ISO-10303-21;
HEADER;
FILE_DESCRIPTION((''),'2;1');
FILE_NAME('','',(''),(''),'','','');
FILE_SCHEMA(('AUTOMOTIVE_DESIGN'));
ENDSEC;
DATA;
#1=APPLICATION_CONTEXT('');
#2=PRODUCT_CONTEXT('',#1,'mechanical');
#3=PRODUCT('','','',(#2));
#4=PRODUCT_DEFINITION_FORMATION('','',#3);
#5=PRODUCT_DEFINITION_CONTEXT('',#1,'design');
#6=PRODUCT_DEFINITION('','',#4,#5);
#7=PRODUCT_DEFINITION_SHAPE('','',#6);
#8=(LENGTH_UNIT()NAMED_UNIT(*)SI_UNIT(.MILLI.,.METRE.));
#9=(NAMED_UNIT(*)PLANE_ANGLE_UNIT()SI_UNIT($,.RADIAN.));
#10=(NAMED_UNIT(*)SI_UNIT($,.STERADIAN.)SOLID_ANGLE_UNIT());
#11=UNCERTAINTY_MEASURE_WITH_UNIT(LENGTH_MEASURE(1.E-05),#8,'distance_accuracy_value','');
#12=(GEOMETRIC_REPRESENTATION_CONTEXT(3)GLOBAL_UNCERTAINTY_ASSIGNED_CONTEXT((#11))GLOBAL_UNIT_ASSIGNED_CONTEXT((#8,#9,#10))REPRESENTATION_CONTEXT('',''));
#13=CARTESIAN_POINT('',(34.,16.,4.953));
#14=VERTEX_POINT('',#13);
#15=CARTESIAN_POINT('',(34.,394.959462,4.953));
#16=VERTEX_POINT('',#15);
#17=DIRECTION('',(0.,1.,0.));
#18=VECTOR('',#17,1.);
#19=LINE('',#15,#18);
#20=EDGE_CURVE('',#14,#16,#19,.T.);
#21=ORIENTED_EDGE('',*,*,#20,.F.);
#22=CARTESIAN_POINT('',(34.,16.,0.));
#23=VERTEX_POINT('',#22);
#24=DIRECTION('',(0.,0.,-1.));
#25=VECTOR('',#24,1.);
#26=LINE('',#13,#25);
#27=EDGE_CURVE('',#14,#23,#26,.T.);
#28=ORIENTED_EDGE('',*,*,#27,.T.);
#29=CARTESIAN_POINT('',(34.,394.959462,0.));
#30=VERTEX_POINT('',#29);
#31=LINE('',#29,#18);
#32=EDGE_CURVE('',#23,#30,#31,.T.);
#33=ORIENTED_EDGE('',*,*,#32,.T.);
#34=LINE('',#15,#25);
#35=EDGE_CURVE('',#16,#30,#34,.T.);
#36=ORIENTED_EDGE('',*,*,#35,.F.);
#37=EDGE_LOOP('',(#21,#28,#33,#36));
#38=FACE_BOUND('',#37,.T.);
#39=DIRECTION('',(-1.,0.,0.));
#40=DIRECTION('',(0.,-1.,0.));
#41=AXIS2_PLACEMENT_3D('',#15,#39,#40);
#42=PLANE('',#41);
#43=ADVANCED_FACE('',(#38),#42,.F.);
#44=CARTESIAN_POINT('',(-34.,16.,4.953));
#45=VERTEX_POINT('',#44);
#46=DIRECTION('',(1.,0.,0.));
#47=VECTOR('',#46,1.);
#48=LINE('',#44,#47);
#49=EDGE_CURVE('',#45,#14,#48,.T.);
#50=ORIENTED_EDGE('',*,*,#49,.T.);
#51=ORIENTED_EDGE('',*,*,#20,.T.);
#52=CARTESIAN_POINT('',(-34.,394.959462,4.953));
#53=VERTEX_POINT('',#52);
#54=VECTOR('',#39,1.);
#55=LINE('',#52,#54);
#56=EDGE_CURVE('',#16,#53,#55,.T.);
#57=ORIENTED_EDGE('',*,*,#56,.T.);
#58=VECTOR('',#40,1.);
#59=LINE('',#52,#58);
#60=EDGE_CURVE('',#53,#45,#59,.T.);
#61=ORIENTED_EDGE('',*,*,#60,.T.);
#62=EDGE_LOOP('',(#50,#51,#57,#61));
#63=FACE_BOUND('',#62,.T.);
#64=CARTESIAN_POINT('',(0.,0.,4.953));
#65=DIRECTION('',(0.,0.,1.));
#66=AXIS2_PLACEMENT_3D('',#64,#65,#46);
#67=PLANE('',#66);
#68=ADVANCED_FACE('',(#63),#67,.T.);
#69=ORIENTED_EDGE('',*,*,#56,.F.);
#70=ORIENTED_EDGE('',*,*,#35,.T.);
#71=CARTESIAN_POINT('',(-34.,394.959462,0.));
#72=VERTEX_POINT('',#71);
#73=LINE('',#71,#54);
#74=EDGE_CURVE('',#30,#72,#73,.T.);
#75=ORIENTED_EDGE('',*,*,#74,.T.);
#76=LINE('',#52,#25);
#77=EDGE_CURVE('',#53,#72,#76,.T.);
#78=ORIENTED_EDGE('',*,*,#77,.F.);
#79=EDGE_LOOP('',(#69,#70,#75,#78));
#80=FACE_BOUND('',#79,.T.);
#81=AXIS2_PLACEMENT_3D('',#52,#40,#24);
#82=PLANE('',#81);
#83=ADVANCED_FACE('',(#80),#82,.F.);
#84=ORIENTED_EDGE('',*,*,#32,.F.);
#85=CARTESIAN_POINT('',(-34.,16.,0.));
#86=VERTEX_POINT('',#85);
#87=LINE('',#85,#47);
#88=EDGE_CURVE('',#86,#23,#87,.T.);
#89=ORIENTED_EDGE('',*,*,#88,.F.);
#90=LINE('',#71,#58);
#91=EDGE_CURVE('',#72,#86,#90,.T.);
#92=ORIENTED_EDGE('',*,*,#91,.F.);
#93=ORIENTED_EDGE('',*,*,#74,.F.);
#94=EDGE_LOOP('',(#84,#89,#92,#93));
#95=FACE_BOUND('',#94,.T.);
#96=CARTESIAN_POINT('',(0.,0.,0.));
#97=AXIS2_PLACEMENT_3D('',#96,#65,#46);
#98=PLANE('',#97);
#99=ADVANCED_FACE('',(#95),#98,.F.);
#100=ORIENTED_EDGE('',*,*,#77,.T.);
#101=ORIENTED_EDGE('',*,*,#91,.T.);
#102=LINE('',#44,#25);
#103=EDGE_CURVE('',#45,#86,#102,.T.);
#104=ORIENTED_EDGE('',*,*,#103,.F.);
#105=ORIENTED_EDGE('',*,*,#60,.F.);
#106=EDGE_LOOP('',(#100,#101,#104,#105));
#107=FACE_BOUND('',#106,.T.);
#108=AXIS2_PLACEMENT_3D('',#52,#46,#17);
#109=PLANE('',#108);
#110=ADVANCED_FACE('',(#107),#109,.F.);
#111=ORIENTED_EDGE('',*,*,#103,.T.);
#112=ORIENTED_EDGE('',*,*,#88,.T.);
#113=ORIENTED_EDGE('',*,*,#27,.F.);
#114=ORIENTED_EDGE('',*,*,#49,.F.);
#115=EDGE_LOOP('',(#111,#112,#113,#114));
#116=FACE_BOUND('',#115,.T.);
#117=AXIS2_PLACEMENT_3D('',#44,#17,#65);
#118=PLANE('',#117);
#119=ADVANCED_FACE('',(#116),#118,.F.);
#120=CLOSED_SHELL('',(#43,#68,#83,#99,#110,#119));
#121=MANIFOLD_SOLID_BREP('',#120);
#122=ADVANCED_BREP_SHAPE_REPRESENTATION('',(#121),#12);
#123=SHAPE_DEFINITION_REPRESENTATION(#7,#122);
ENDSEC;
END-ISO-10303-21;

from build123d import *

# Parameters (mm, degrees)
SKETCH1_W           = 68
SKETCH1_H           = 378.959461552
BOSS_EXTRUDE1_DEPTH = 4.953


with BuildPart() as part:
    # Sketch1 → Boss-Extrude1 (new body)
    with BuildSketch(Plane.XY):
        with Locations((0, 205.479730776)):
            Rectangle(SKETCH1_W, SKETCH1_H)
    extrude(amount=BOSS_EXTRUDE1_DEPTH)


solid = part.part
